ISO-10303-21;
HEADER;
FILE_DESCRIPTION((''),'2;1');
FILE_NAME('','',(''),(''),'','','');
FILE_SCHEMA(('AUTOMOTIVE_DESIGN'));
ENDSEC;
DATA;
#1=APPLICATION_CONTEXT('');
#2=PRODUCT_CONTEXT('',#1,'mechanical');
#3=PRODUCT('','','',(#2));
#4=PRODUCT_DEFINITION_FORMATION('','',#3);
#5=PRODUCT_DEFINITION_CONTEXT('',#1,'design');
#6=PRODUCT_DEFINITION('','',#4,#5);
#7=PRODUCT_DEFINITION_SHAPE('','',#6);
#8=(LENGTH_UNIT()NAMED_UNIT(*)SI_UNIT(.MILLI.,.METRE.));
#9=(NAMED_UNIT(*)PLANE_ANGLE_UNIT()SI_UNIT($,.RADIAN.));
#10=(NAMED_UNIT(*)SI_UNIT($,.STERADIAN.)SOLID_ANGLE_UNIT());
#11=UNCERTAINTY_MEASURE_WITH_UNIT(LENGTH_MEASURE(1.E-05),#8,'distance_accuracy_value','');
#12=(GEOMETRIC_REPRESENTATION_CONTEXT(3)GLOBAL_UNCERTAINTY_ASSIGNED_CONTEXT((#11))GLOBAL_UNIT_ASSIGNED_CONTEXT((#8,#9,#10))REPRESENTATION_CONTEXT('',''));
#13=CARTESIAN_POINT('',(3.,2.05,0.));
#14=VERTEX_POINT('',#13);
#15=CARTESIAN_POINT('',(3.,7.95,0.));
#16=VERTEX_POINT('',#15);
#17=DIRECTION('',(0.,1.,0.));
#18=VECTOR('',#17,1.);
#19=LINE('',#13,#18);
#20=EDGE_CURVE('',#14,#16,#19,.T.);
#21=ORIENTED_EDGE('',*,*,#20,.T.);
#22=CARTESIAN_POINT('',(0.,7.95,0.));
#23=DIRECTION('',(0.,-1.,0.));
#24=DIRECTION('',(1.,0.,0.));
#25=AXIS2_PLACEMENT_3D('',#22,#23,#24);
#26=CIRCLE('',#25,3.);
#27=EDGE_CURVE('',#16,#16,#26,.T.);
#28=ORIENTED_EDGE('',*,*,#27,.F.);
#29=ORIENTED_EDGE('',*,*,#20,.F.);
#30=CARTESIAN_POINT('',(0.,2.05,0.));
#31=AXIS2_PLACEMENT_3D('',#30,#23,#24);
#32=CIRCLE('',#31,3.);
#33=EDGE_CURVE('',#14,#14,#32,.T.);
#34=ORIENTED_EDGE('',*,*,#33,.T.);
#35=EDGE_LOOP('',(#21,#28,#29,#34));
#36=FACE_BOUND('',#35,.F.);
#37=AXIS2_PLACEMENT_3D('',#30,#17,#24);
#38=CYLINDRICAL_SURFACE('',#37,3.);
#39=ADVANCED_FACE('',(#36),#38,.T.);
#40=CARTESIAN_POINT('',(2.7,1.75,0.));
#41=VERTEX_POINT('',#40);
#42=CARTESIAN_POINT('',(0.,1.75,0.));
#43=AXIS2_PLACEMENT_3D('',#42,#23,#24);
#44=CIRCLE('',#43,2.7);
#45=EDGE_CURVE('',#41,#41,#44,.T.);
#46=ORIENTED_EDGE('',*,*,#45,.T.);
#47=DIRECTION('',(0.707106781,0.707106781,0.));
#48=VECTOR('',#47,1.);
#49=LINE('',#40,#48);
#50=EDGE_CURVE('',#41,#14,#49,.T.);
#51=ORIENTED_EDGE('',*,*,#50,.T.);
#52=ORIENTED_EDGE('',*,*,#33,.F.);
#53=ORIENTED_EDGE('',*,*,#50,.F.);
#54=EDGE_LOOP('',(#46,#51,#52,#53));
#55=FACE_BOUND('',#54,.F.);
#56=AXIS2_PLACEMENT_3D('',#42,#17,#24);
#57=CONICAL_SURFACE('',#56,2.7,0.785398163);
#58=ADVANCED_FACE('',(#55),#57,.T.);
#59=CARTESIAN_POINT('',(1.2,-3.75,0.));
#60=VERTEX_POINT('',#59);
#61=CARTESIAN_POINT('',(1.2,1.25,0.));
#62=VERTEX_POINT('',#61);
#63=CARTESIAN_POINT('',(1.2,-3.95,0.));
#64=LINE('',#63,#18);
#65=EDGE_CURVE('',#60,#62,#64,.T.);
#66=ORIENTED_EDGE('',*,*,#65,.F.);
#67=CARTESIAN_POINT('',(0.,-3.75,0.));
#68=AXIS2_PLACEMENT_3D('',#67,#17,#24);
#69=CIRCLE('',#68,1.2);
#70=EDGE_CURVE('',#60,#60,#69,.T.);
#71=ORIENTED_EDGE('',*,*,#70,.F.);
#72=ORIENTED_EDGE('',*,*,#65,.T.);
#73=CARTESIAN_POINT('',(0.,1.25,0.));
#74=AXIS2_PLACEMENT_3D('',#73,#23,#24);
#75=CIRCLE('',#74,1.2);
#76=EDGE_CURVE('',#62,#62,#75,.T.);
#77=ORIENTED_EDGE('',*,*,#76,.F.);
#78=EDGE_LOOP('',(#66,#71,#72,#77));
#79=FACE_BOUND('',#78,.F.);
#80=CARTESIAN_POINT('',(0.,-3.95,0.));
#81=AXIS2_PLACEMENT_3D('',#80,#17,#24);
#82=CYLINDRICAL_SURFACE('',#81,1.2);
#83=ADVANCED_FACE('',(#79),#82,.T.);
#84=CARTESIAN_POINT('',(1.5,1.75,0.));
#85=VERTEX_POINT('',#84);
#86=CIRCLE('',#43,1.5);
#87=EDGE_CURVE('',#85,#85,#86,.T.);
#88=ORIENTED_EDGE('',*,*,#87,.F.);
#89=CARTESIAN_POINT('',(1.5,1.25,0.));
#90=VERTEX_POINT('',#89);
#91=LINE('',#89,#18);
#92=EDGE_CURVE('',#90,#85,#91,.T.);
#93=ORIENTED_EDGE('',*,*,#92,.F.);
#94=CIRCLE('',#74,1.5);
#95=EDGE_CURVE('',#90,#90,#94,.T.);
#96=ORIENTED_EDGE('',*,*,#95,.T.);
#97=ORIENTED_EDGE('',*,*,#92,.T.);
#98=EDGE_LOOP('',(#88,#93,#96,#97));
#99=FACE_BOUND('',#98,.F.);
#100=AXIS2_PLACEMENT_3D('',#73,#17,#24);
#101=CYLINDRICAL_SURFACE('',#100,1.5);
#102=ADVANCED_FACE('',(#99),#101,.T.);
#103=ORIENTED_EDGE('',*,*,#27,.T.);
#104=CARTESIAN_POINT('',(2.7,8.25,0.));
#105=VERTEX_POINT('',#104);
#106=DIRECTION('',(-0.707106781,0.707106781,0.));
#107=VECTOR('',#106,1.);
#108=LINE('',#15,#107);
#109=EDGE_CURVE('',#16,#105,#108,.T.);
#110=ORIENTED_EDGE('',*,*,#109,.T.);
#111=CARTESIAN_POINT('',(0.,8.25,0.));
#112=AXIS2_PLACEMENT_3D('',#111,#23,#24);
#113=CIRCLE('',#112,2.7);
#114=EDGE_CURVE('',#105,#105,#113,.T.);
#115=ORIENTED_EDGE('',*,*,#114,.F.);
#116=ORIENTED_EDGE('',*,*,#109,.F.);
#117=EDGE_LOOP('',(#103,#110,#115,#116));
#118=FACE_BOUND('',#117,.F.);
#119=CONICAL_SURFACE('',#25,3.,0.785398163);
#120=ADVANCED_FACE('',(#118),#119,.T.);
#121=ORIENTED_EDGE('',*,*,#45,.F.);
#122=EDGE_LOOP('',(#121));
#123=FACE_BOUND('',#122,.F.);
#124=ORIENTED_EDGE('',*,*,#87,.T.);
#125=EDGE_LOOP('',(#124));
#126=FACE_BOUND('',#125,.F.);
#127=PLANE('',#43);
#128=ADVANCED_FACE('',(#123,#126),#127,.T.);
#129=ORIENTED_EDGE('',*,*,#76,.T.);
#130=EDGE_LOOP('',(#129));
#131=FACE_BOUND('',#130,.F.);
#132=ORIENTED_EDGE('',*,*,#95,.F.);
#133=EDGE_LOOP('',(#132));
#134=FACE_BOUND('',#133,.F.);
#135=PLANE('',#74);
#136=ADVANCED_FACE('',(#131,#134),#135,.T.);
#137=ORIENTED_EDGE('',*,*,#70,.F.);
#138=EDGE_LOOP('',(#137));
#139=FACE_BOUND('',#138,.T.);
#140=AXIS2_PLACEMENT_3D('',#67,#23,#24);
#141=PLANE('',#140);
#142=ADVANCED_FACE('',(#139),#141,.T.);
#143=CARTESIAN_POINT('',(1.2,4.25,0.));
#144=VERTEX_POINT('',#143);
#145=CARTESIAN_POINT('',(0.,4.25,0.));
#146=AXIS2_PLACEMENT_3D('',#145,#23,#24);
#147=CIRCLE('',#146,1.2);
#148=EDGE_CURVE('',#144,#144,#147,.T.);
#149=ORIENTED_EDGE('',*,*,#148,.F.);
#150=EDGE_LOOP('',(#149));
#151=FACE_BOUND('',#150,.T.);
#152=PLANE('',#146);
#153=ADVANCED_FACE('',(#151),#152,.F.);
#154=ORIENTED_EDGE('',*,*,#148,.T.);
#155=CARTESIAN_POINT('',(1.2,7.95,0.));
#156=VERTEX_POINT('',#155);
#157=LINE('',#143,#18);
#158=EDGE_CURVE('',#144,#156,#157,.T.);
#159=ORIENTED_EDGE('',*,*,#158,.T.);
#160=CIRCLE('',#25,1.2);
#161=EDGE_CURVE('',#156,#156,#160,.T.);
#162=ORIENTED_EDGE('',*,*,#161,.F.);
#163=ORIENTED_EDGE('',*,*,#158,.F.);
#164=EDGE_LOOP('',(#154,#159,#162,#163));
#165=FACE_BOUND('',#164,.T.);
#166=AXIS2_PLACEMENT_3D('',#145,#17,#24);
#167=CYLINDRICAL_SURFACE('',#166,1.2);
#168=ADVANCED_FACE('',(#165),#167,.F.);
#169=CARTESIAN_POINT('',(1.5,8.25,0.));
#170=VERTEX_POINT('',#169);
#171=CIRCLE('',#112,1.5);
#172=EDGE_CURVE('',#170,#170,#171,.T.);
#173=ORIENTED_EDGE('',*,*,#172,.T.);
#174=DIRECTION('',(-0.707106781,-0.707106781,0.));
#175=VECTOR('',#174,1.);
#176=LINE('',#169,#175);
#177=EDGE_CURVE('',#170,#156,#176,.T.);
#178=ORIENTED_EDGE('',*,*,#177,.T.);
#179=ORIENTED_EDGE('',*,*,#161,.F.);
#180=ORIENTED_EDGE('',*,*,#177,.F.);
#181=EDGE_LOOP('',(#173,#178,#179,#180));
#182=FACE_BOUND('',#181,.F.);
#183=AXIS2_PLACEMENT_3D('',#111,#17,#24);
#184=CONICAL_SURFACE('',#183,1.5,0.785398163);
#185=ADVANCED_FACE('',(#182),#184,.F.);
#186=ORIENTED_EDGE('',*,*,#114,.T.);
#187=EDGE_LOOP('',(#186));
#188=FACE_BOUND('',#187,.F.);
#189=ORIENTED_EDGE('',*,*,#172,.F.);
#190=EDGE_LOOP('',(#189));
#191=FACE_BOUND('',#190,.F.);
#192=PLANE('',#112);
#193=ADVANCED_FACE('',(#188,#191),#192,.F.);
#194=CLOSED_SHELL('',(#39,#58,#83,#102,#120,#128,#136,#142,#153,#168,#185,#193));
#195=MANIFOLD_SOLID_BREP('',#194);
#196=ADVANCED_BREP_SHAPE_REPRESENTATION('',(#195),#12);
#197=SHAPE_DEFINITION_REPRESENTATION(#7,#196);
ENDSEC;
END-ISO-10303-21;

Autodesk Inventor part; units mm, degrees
ref_plane "YZ Plane" through (0, 0, 0) normal (1, 0, 0) x (0, 1, 0)
ref_plane "XZ Plane" through (0, 0, 0) normal (0, 1, 0) x (-1, 0, 0)
ref_plane "XY Plane" through (0, 0, 0) normal (0, 0, 1) x (1, 0, 0)
sketch "スケッチ1" plane through (0, 0, 0) normal (0, 0, 1) x (1, 0, 0)
  line L0 (0, -4.25) -> (0.9, -4.25)
  line L1 (0.9, -4.25) -> (1.2, -3.95)
  line L2 (1.2, -3.95) -> (1.2, 1.25)
  line L3 (1.2, 1.25) -> (1.5, 1.25)
  line L4 (1.5, 1.25) -> (1.5, 1.75)
  line L5 (1.5, 1.75) -> (2.7, 1.75)
  line L6 (3, 7.95) -> (2.7, 8.25)
  line L7 (2.7, 8.25) -> (1.5, 8.25)
  line L8 (1.5, 8.25) -> (1.2, 7.95)
  line L9 (0, 7.4044) -> (0, -7.4044) construction
  line L10 (0, -4.25) -> (0, 4.25)
  line L11 (0, 4.25) -> (1.2, 4.25)
  line L12 (1.2, 4.25) -> (1.2, 7.95)
  line L13 (2.7, 1.75) -> (3, 2.05)
  line L14 (3, 2.05) -> (3, 7.95)
  point P0 (0, 0)
  point P1 (0, 0)
  dimension "d0" = 2.4
  dimension "d1" = 6
  dimension "d2" = 0.3
  dimension "d3" = 0.3
  dimension "d4" = 3
  dimension "d5" = 0.5
  dimension "d6" = 6.5
  dimension "d8" = 0.3
  dimension "d9" = 2.4
  dimension "d10" = 4
  dimension "d11" = 0.3
  dimension "d12" = 0.3
  dimension "d13" = 0.3
  dimension "d14" = 0.3
  dimension "d15" = 6
revolve "回転1" add sketch "スケッチ1" angle 360 about axis through (0, 7.4044, 0) along (0, -1, 0)
sketch "スケッチ2" plane through (0, -4.25, 0) normal (0, -1, 0) x (1, 0, 0)
  circle A0 centre (0, 0) radius 0.9 projected
  circle A1 centre (0, 0) radius 9.0242
extrude "押し出し1" cut sketch "スケッチ2" against normal blind 0.5 contours A0 | A1
equation "\"d3\" = d2"
equation "\"d11\" = d8"
equation "\"d12\" = d8"
equation "\"d13\" = d12"
equation "\"d14\" = d13"
properties part number "BRU-306_5" material "ステンレス鋼 AISI 304"
